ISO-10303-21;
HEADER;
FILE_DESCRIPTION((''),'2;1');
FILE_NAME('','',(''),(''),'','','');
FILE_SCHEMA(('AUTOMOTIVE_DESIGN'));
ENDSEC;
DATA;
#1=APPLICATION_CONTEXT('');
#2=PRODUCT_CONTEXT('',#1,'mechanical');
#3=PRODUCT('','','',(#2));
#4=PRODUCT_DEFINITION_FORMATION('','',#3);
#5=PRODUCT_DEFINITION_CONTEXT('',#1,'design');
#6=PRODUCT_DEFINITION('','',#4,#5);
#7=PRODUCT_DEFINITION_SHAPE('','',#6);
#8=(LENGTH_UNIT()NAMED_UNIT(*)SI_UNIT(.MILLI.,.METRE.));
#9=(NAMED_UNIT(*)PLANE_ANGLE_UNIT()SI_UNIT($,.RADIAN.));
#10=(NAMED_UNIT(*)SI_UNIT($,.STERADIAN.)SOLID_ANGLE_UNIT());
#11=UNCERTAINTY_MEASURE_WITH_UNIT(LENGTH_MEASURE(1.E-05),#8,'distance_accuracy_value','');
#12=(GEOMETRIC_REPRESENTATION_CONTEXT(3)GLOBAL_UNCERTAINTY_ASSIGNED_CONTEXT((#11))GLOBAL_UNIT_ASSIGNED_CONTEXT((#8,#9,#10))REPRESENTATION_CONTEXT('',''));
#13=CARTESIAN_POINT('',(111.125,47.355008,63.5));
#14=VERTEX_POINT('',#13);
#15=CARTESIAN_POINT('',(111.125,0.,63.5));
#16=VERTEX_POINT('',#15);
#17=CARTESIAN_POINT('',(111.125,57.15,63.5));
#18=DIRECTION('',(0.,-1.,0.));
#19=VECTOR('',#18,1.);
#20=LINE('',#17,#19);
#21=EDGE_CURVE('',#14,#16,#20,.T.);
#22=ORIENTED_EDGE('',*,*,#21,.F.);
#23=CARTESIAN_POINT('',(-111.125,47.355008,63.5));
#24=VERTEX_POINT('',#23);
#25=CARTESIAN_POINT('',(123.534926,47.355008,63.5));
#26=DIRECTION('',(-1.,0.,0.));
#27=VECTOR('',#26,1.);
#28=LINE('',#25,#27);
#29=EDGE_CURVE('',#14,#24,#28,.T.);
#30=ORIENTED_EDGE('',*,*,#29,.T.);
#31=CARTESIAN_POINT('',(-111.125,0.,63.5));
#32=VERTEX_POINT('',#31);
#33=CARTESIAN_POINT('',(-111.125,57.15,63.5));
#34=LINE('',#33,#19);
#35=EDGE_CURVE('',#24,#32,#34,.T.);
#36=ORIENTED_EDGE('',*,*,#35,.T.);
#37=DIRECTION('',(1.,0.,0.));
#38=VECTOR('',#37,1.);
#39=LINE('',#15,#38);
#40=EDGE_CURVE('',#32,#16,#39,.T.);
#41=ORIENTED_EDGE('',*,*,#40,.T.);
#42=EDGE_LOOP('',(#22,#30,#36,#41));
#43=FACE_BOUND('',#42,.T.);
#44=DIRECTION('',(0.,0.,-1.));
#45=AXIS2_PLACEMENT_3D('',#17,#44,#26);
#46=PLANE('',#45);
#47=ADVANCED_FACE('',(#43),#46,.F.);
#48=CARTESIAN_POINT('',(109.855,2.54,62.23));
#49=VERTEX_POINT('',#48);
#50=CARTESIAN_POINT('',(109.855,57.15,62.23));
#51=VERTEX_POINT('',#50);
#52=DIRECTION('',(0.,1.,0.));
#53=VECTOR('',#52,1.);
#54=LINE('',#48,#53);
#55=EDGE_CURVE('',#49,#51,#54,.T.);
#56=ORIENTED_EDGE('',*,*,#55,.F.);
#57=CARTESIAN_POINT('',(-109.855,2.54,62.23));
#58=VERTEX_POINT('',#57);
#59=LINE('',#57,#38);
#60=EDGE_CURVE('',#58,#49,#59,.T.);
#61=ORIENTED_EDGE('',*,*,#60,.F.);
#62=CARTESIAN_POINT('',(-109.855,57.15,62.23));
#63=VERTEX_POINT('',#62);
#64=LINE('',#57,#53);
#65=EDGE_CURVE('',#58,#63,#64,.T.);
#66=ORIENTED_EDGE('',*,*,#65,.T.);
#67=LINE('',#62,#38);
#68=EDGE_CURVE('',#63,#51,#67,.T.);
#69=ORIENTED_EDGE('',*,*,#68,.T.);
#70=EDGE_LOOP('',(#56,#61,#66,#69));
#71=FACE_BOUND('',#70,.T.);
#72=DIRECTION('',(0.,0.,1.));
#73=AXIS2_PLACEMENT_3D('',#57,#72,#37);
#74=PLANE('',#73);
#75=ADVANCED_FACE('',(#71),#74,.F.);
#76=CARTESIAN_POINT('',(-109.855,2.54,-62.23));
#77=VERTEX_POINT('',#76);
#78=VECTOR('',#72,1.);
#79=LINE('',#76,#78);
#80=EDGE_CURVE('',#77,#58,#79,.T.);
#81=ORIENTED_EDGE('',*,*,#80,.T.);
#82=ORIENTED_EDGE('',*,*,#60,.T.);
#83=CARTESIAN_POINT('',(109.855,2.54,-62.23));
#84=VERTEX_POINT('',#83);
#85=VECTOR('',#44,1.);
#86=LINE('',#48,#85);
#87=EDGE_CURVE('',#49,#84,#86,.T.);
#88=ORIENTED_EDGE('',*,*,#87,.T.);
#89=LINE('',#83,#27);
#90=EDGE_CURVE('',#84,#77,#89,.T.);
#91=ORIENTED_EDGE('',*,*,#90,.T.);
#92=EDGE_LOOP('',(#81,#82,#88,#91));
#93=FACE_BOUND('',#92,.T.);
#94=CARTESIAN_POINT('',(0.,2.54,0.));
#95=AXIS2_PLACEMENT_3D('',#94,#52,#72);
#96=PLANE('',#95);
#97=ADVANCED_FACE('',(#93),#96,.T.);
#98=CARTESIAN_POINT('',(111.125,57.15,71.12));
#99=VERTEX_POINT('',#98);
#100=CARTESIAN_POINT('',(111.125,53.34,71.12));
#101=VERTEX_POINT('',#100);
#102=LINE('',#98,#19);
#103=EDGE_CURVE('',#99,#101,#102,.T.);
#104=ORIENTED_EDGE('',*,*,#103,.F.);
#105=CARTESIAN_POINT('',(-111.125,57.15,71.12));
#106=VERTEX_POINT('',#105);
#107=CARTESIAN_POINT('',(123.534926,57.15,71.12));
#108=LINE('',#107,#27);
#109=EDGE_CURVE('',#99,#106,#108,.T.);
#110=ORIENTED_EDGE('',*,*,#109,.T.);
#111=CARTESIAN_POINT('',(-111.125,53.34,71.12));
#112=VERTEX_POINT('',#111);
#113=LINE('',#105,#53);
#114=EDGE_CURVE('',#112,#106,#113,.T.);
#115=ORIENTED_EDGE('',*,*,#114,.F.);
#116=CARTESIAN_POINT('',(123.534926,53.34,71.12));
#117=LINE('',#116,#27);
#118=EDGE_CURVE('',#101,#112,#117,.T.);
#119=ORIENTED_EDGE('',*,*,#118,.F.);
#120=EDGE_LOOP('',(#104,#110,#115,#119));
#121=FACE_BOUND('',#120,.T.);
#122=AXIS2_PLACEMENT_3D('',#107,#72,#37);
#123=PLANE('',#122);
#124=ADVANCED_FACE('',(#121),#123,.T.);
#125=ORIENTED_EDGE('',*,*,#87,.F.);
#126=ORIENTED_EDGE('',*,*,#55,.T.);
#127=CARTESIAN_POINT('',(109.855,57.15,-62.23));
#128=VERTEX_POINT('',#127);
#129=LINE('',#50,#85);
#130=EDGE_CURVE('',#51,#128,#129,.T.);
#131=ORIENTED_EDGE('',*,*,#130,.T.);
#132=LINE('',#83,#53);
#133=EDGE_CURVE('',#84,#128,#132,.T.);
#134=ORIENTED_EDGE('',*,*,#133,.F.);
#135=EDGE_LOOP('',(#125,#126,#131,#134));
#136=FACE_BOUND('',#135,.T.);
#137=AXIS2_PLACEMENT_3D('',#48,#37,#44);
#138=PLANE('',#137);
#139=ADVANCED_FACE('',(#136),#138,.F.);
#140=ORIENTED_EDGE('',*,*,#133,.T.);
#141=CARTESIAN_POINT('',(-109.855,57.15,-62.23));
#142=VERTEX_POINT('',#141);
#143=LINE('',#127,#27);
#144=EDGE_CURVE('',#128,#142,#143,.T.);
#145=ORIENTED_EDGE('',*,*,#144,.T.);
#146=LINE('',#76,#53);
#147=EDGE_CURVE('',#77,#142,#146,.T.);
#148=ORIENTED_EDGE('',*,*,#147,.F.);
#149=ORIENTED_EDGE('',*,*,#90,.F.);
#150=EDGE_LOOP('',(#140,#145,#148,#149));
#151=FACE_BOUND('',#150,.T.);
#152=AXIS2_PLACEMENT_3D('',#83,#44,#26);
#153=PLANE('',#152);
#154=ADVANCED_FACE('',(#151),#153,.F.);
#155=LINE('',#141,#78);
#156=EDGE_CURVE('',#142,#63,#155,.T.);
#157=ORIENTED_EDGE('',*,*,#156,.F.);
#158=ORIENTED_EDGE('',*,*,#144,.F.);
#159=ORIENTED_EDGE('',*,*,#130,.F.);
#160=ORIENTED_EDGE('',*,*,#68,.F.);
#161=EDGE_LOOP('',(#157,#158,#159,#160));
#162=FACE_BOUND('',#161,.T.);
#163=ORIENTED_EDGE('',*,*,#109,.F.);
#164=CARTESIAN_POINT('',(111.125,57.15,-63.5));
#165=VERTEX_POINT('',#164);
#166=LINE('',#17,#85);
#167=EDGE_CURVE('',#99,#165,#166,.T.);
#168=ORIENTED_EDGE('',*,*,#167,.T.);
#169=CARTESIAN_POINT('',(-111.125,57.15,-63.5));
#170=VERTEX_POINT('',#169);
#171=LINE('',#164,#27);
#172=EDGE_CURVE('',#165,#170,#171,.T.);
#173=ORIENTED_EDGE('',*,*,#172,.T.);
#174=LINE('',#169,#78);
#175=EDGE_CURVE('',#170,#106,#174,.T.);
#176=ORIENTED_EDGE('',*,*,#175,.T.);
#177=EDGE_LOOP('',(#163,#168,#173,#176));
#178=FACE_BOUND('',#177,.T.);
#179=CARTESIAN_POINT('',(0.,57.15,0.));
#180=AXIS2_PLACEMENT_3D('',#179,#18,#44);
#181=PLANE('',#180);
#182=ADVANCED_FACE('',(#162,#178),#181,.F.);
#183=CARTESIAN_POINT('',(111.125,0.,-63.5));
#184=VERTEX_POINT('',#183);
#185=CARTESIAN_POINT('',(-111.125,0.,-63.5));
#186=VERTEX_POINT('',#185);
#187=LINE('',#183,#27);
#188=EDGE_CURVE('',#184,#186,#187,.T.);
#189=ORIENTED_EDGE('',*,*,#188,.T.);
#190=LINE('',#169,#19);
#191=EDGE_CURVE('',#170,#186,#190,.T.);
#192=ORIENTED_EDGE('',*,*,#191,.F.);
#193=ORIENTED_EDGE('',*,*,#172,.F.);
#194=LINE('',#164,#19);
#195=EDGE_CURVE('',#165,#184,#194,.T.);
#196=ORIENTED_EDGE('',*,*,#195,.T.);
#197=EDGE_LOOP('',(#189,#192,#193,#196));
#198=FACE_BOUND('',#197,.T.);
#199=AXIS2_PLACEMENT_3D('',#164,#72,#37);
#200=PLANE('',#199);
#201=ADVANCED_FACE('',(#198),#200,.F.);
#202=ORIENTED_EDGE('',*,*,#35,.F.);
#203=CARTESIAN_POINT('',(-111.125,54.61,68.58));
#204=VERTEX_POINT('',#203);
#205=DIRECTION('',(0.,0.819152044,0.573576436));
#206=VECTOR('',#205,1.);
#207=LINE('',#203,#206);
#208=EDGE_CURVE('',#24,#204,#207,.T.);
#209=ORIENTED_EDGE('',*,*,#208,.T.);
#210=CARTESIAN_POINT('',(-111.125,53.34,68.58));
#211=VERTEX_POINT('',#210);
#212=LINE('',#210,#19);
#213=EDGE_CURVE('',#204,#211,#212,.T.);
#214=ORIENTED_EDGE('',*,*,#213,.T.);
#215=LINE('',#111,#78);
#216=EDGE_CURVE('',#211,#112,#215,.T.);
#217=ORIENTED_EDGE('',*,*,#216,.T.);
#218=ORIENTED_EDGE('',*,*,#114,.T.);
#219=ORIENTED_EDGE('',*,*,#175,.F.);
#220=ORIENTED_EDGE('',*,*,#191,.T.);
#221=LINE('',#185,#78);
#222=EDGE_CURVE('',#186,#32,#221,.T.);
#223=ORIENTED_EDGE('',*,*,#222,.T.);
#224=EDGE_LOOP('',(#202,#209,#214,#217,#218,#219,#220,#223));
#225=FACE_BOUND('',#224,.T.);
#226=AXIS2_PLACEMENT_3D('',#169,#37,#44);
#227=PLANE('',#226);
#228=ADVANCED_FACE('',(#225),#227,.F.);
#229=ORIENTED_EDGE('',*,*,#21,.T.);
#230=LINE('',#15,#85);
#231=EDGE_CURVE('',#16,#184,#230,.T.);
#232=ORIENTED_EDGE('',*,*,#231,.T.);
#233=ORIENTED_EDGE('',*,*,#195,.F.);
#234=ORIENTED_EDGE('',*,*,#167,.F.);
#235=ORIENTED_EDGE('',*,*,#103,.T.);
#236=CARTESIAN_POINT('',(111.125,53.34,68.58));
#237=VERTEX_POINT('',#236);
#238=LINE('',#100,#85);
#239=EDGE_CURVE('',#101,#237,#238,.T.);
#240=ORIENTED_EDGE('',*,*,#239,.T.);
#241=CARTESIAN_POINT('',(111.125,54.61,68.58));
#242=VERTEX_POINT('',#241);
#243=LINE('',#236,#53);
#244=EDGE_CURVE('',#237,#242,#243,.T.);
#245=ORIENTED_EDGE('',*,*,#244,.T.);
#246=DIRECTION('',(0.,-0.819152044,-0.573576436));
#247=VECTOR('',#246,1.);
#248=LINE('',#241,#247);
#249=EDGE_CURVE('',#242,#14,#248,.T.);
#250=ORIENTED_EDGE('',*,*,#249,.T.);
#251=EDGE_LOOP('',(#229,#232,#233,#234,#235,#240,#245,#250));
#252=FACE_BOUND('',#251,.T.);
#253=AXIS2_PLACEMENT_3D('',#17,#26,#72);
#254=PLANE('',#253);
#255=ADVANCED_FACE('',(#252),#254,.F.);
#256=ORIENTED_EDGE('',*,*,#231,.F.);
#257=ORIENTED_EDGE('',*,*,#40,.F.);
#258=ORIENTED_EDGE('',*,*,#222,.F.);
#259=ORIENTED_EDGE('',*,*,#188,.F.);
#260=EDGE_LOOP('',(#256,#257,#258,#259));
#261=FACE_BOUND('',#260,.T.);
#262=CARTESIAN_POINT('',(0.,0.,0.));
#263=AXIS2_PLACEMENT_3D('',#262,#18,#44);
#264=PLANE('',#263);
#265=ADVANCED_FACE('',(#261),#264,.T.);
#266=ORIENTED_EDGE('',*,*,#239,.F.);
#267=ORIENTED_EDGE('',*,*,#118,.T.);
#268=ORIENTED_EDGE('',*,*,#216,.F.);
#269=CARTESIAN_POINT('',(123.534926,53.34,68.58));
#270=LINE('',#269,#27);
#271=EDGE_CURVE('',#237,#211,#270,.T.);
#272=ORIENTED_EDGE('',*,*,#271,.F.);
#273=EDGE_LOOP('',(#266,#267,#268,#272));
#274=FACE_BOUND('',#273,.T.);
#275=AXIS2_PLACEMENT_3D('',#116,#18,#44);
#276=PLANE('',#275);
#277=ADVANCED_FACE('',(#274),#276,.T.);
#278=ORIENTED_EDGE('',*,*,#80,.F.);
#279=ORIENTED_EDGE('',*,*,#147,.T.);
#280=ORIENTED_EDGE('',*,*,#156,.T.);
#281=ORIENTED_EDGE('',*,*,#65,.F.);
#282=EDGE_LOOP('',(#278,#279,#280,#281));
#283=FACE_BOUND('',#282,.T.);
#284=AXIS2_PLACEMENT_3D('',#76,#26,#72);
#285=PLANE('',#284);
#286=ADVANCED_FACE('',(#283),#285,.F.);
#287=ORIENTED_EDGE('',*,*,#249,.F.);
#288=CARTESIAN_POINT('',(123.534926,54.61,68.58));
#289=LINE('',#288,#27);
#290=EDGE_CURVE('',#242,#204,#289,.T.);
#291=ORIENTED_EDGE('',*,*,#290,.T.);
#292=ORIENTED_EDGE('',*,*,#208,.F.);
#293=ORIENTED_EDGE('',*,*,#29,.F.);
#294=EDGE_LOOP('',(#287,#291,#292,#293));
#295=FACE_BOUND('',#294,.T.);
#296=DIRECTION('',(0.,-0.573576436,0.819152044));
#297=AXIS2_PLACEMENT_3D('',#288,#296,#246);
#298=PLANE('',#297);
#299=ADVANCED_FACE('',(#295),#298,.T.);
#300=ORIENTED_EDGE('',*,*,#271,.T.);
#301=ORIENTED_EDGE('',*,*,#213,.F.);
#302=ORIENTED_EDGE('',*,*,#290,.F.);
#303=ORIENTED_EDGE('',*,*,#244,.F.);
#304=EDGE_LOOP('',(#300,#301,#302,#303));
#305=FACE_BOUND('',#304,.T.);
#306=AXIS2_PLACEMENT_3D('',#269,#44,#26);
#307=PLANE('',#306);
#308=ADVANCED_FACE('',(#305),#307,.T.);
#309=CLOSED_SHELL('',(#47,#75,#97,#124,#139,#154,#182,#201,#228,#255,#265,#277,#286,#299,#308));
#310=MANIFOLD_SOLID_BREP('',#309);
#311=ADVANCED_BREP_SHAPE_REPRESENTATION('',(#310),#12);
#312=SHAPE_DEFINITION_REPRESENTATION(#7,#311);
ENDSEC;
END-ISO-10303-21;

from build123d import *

# Parameters (mm, degrees)
SKETCH3_W          = 222.25
SKETCH3_H          = 127
LOWER_DRAWER_DEPTH = 57.15
SKETCH6_W          = 219.71
SKETCH6_H          = 124.46
CUT_EXTRUDE1_DEPTH = 54.61
HANDLE_DEPTH       = 222.25


with BuildPart() as part:
    # Sketch3 → lower drawer (new body)
    with BuildSketch(Plane(origin=(0, 0, 0), x_dir=(1, 0, 0), z_dir=(0, 1, 0))):
        Rectangle(SKETCH3_W, SKETCH3_H)
    extrude(amount=LOWER_DRAWER_DEPTH)

    # Sketch6 → Cut-Extrude1 (cut)
    with BuildSketch(Plane(origin=(0, 57.15, 0), x_dir=(1, 0, 0), z_dir=(0, 1, 0))):
        Rectangle(SKETCH6_W, SKETCH6_H)
    extrude(amount=-CUT_EXTRUDE1_DEPTH, mode=Mode.SUBTRACT)

    # Sketch10 → handle (add)
    with BuildSketch(Plane.ZY.offset(111.125)):
        Polygon((63.5, 57.15), (71.12, 57.15), (71.12, 53.34), (68.58, 53.34), (68.58, 54.61), (63.5, 47.355008126), align=None)
    extrude(amount=-HANDLE_DEPTH)


solid = part.part
